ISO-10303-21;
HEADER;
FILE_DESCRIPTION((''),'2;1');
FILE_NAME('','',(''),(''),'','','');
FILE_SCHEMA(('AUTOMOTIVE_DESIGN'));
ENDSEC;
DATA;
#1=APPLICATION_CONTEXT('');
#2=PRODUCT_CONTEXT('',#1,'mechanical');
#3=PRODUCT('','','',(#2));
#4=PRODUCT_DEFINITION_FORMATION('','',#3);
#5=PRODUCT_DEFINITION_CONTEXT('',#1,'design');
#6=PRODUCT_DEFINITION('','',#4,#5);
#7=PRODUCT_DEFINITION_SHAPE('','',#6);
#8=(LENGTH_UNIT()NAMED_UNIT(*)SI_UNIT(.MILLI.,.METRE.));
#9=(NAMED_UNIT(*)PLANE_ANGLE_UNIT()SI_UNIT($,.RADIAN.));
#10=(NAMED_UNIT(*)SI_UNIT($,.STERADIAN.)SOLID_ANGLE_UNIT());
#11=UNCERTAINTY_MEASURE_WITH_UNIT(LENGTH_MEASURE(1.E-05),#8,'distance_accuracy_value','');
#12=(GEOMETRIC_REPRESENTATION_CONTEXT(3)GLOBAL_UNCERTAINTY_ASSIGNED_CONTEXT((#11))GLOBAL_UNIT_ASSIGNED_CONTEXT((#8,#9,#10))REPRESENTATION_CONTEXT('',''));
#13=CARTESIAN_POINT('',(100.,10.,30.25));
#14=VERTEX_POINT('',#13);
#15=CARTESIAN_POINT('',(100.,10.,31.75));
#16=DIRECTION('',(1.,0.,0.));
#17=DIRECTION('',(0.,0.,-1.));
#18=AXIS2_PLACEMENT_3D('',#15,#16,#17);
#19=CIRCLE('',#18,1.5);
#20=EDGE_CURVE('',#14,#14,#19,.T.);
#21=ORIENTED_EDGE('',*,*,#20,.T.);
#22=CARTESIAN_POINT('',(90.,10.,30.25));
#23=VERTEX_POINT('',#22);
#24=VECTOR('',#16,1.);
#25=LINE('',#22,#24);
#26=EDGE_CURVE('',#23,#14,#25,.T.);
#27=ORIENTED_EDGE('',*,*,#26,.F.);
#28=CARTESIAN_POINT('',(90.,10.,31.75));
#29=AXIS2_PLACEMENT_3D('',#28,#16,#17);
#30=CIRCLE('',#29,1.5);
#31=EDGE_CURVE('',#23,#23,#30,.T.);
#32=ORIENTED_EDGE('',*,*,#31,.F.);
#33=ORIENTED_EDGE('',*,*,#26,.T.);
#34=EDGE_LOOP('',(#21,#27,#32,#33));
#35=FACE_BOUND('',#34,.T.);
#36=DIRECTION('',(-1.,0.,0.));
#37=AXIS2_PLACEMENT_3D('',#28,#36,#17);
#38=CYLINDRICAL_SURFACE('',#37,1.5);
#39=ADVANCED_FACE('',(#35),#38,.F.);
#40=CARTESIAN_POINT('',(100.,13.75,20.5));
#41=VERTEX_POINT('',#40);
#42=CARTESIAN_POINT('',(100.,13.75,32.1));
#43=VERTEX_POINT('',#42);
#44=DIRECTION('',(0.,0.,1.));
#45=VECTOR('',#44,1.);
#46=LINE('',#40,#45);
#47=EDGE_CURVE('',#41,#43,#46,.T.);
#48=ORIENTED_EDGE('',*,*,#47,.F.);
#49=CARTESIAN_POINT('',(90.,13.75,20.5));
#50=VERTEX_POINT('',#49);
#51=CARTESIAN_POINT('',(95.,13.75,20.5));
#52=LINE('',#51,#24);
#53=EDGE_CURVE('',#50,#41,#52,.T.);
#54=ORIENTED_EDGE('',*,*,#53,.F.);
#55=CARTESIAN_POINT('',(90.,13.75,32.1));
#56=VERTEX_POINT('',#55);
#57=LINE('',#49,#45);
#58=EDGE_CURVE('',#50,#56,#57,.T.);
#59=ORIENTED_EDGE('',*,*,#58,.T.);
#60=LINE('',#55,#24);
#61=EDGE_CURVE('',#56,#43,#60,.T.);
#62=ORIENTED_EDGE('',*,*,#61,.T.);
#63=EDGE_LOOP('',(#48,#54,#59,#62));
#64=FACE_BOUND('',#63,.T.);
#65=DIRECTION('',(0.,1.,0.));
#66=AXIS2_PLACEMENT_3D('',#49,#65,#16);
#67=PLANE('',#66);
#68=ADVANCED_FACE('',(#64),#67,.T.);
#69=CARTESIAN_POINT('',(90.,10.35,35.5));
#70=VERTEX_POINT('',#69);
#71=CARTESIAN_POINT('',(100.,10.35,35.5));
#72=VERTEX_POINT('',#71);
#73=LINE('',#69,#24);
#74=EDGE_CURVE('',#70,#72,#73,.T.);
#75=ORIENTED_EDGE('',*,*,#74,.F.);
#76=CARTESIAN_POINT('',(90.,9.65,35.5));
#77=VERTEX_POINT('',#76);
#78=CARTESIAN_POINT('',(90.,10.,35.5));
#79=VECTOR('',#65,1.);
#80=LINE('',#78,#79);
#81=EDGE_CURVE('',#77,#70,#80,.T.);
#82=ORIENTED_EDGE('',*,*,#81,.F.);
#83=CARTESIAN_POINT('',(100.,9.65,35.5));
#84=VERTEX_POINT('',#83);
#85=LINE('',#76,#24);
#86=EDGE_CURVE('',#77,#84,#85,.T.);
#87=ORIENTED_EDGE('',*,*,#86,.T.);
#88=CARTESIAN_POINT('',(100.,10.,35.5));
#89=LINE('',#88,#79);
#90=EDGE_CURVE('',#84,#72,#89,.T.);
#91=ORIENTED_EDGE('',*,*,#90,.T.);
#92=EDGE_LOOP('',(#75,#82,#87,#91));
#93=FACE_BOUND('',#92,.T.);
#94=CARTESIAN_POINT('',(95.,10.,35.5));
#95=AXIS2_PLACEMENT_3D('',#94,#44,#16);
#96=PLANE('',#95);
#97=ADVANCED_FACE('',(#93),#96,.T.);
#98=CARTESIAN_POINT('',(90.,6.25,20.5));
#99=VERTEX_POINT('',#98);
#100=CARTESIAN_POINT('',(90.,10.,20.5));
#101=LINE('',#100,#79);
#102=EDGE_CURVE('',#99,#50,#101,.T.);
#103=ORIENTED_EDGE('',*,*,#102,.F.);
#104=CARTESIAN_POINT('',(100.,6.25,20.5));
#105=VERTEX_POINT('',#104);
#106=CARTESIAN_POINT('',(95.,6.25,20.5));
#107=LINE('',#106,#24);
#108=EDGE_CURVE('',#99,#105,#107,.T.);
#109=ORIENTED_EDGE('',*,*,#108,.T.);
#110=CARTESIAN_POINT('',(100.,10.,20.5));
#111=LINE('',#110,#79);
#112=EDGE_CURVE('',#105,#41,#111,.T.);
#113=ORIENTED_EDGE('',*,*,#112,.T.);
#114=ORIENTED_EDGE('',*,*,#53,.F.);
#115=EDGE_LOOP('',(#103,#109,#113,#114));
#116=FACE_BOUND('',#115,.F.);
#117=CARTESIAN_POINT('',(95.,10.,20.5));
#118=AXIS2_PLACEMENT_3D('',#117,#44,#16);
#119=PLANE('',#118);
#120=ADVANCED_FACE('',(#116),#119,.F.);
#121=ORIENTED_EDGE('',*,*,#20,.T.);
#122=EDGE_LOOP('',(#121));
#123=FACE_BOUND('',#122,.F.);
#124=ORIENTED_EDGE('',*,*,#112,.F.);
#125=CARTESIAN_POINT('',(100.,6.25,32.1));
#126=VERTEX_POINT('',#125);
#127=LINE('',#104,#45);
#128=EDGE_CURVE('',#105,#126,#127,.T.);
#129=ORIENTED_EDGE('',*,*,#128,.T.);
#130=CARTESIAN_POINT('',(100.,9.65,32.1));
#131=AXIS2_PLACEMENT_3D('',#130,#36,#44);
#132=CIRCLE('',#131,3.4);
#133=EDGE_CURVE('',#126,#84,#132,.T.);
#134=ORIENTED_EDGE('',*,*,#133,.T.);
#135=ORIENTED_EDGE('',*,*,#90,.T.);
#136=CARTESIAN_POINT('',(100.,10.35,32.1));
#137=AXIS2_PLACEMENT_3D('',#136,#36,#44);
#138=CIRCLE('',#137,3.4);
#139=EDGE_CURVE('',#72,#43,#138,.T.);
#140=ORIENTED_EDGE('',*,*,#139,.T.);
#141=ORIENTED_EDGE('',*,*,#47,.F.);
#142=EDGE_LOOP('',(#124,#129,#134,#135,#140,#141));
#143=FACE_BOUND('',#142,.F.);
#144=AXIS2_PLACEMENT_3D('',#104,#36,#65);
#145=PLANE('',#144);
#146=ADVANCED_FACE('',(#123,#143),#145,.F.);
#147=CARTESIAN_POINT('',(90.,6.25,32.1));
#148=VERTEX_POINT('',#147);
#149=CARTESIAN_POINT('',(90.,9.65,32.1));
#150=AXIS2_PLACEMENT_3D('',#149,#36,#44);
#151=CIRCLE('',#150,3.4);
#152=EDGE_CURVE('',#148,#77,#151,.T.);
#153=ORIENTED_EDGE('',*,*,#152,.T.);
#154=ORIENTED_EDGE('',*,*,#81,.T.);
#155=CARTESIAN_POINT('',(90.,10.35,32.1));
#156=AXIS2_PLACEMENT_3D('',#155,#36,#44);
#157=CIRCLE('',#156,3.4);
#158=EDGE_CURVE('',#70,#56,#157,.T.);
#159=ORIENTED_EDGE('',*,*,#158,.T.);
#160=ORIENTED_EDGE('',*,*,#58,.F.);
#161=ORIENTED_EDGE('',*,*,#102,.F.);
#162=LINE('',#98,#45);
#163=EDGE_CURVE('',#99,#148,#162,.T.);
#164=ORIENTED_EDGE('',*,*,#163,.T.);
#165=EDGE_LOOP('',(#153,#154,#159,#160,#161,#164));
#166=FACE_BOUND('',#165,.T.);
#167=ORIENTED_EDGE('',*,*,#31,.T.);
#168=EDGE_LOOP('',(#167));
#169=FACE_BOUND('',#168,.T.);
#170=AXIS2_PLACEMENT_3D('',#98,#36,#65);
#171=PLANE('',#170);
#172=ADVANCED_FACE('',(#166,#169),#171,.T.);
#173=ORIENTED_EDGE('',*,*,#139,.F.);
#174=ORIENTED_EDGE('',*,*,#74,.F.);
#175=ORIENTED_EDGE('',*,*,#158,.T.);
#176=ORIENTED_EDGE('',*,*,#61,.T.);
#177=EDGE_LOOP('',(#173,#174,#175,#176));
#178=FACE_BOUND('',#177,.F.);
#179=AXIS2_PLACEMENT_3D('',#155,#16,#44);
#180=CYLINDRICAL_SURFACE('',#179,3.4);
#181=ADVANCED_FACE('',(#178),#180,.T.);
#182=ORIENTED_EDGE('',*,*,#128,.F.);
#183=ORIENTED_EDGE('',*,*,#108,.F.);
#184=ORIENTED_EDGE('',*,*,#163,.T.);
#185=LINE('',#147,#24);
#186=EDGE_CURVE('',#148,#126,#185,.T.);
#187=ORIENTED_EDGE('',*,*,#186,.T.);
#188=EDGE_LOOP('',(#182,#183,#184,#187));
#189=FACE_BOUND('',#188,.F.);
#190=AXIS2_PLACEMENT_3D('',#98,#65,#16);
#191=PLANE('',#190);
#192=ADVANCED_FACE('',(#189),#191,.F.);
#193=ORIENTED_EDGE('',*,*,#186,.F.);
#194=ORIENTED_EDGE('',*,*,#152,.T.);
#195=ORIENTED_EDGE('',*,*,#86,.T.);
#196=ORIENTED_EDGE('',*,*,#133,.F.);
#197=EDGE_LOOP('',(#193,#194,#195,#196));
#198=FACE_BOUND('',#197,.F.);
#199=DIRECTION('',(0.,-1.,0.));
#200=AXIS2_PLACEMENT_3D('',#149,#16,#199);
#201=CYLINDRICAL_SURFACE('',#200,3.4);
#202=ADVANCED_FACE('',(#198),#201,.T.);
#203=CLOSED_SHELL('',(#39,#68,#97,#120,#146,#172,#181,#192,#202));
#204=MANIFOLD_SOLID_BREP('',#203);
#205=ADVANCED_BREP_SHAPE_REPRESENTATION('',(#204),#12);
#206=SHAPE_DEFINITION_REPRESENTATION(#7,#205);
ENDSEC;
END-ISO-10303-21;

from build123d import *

# Parameters (mm, degrees)
CYLINDER005_R        = 1.5
CYLINDER005_DEPTH    = 10
BOX022_W             = 10
BOX022_H             = 7.5
BOX022_DEPTH         = 15
FILLET002008005014_R = 3.4


with BuildPart() as cylinder005:
    # Cylinder005 → Cylinder005 (new body)
    with BuildSketch(Plane(origin=(90, 10, 28.25), x_dir=(0, 0, -1), z_dir=(1, 0, 0))):
        Circle(CYLINDER005_R)
    extrude(amount=CYLINDER005_DEPTH)


with BuildPart() as fillet002008005014:
    # Box022 → Box022 (new body)
    with BuildSketch(Plane(origin=(90, 6.25, 17), x_dir=(1, 0, 0), z_dir=(0, 0, 1))):
        with Locations((5, 3.75)):
            Rectangle(BOX022_W, BOX022_H)
    extrude(amount=BOX022_DEPTH)

    # Cut001005: cut Cylinder005
    add(cylinder005.part, mode=Mode.SUBTRACT)

    # Fillet002008005014
    fillet002008005014_edges = [fillet002008005014.edges().sort_by_distance(p)[0] for p in [
        (95, 6.25, 32),
        (95, 13.75, 32),
    ]]
    fillet(fillet002008005014_edges, radius=FILLET002008005014_R)


with BuildPart() as fillet002008005014_1:
    # Fillet002008005014 placement: moved
    add(fillet002008005014.part.moved(Location((0, 0, 3.5))))


solid = fillet002008005014_1.part
